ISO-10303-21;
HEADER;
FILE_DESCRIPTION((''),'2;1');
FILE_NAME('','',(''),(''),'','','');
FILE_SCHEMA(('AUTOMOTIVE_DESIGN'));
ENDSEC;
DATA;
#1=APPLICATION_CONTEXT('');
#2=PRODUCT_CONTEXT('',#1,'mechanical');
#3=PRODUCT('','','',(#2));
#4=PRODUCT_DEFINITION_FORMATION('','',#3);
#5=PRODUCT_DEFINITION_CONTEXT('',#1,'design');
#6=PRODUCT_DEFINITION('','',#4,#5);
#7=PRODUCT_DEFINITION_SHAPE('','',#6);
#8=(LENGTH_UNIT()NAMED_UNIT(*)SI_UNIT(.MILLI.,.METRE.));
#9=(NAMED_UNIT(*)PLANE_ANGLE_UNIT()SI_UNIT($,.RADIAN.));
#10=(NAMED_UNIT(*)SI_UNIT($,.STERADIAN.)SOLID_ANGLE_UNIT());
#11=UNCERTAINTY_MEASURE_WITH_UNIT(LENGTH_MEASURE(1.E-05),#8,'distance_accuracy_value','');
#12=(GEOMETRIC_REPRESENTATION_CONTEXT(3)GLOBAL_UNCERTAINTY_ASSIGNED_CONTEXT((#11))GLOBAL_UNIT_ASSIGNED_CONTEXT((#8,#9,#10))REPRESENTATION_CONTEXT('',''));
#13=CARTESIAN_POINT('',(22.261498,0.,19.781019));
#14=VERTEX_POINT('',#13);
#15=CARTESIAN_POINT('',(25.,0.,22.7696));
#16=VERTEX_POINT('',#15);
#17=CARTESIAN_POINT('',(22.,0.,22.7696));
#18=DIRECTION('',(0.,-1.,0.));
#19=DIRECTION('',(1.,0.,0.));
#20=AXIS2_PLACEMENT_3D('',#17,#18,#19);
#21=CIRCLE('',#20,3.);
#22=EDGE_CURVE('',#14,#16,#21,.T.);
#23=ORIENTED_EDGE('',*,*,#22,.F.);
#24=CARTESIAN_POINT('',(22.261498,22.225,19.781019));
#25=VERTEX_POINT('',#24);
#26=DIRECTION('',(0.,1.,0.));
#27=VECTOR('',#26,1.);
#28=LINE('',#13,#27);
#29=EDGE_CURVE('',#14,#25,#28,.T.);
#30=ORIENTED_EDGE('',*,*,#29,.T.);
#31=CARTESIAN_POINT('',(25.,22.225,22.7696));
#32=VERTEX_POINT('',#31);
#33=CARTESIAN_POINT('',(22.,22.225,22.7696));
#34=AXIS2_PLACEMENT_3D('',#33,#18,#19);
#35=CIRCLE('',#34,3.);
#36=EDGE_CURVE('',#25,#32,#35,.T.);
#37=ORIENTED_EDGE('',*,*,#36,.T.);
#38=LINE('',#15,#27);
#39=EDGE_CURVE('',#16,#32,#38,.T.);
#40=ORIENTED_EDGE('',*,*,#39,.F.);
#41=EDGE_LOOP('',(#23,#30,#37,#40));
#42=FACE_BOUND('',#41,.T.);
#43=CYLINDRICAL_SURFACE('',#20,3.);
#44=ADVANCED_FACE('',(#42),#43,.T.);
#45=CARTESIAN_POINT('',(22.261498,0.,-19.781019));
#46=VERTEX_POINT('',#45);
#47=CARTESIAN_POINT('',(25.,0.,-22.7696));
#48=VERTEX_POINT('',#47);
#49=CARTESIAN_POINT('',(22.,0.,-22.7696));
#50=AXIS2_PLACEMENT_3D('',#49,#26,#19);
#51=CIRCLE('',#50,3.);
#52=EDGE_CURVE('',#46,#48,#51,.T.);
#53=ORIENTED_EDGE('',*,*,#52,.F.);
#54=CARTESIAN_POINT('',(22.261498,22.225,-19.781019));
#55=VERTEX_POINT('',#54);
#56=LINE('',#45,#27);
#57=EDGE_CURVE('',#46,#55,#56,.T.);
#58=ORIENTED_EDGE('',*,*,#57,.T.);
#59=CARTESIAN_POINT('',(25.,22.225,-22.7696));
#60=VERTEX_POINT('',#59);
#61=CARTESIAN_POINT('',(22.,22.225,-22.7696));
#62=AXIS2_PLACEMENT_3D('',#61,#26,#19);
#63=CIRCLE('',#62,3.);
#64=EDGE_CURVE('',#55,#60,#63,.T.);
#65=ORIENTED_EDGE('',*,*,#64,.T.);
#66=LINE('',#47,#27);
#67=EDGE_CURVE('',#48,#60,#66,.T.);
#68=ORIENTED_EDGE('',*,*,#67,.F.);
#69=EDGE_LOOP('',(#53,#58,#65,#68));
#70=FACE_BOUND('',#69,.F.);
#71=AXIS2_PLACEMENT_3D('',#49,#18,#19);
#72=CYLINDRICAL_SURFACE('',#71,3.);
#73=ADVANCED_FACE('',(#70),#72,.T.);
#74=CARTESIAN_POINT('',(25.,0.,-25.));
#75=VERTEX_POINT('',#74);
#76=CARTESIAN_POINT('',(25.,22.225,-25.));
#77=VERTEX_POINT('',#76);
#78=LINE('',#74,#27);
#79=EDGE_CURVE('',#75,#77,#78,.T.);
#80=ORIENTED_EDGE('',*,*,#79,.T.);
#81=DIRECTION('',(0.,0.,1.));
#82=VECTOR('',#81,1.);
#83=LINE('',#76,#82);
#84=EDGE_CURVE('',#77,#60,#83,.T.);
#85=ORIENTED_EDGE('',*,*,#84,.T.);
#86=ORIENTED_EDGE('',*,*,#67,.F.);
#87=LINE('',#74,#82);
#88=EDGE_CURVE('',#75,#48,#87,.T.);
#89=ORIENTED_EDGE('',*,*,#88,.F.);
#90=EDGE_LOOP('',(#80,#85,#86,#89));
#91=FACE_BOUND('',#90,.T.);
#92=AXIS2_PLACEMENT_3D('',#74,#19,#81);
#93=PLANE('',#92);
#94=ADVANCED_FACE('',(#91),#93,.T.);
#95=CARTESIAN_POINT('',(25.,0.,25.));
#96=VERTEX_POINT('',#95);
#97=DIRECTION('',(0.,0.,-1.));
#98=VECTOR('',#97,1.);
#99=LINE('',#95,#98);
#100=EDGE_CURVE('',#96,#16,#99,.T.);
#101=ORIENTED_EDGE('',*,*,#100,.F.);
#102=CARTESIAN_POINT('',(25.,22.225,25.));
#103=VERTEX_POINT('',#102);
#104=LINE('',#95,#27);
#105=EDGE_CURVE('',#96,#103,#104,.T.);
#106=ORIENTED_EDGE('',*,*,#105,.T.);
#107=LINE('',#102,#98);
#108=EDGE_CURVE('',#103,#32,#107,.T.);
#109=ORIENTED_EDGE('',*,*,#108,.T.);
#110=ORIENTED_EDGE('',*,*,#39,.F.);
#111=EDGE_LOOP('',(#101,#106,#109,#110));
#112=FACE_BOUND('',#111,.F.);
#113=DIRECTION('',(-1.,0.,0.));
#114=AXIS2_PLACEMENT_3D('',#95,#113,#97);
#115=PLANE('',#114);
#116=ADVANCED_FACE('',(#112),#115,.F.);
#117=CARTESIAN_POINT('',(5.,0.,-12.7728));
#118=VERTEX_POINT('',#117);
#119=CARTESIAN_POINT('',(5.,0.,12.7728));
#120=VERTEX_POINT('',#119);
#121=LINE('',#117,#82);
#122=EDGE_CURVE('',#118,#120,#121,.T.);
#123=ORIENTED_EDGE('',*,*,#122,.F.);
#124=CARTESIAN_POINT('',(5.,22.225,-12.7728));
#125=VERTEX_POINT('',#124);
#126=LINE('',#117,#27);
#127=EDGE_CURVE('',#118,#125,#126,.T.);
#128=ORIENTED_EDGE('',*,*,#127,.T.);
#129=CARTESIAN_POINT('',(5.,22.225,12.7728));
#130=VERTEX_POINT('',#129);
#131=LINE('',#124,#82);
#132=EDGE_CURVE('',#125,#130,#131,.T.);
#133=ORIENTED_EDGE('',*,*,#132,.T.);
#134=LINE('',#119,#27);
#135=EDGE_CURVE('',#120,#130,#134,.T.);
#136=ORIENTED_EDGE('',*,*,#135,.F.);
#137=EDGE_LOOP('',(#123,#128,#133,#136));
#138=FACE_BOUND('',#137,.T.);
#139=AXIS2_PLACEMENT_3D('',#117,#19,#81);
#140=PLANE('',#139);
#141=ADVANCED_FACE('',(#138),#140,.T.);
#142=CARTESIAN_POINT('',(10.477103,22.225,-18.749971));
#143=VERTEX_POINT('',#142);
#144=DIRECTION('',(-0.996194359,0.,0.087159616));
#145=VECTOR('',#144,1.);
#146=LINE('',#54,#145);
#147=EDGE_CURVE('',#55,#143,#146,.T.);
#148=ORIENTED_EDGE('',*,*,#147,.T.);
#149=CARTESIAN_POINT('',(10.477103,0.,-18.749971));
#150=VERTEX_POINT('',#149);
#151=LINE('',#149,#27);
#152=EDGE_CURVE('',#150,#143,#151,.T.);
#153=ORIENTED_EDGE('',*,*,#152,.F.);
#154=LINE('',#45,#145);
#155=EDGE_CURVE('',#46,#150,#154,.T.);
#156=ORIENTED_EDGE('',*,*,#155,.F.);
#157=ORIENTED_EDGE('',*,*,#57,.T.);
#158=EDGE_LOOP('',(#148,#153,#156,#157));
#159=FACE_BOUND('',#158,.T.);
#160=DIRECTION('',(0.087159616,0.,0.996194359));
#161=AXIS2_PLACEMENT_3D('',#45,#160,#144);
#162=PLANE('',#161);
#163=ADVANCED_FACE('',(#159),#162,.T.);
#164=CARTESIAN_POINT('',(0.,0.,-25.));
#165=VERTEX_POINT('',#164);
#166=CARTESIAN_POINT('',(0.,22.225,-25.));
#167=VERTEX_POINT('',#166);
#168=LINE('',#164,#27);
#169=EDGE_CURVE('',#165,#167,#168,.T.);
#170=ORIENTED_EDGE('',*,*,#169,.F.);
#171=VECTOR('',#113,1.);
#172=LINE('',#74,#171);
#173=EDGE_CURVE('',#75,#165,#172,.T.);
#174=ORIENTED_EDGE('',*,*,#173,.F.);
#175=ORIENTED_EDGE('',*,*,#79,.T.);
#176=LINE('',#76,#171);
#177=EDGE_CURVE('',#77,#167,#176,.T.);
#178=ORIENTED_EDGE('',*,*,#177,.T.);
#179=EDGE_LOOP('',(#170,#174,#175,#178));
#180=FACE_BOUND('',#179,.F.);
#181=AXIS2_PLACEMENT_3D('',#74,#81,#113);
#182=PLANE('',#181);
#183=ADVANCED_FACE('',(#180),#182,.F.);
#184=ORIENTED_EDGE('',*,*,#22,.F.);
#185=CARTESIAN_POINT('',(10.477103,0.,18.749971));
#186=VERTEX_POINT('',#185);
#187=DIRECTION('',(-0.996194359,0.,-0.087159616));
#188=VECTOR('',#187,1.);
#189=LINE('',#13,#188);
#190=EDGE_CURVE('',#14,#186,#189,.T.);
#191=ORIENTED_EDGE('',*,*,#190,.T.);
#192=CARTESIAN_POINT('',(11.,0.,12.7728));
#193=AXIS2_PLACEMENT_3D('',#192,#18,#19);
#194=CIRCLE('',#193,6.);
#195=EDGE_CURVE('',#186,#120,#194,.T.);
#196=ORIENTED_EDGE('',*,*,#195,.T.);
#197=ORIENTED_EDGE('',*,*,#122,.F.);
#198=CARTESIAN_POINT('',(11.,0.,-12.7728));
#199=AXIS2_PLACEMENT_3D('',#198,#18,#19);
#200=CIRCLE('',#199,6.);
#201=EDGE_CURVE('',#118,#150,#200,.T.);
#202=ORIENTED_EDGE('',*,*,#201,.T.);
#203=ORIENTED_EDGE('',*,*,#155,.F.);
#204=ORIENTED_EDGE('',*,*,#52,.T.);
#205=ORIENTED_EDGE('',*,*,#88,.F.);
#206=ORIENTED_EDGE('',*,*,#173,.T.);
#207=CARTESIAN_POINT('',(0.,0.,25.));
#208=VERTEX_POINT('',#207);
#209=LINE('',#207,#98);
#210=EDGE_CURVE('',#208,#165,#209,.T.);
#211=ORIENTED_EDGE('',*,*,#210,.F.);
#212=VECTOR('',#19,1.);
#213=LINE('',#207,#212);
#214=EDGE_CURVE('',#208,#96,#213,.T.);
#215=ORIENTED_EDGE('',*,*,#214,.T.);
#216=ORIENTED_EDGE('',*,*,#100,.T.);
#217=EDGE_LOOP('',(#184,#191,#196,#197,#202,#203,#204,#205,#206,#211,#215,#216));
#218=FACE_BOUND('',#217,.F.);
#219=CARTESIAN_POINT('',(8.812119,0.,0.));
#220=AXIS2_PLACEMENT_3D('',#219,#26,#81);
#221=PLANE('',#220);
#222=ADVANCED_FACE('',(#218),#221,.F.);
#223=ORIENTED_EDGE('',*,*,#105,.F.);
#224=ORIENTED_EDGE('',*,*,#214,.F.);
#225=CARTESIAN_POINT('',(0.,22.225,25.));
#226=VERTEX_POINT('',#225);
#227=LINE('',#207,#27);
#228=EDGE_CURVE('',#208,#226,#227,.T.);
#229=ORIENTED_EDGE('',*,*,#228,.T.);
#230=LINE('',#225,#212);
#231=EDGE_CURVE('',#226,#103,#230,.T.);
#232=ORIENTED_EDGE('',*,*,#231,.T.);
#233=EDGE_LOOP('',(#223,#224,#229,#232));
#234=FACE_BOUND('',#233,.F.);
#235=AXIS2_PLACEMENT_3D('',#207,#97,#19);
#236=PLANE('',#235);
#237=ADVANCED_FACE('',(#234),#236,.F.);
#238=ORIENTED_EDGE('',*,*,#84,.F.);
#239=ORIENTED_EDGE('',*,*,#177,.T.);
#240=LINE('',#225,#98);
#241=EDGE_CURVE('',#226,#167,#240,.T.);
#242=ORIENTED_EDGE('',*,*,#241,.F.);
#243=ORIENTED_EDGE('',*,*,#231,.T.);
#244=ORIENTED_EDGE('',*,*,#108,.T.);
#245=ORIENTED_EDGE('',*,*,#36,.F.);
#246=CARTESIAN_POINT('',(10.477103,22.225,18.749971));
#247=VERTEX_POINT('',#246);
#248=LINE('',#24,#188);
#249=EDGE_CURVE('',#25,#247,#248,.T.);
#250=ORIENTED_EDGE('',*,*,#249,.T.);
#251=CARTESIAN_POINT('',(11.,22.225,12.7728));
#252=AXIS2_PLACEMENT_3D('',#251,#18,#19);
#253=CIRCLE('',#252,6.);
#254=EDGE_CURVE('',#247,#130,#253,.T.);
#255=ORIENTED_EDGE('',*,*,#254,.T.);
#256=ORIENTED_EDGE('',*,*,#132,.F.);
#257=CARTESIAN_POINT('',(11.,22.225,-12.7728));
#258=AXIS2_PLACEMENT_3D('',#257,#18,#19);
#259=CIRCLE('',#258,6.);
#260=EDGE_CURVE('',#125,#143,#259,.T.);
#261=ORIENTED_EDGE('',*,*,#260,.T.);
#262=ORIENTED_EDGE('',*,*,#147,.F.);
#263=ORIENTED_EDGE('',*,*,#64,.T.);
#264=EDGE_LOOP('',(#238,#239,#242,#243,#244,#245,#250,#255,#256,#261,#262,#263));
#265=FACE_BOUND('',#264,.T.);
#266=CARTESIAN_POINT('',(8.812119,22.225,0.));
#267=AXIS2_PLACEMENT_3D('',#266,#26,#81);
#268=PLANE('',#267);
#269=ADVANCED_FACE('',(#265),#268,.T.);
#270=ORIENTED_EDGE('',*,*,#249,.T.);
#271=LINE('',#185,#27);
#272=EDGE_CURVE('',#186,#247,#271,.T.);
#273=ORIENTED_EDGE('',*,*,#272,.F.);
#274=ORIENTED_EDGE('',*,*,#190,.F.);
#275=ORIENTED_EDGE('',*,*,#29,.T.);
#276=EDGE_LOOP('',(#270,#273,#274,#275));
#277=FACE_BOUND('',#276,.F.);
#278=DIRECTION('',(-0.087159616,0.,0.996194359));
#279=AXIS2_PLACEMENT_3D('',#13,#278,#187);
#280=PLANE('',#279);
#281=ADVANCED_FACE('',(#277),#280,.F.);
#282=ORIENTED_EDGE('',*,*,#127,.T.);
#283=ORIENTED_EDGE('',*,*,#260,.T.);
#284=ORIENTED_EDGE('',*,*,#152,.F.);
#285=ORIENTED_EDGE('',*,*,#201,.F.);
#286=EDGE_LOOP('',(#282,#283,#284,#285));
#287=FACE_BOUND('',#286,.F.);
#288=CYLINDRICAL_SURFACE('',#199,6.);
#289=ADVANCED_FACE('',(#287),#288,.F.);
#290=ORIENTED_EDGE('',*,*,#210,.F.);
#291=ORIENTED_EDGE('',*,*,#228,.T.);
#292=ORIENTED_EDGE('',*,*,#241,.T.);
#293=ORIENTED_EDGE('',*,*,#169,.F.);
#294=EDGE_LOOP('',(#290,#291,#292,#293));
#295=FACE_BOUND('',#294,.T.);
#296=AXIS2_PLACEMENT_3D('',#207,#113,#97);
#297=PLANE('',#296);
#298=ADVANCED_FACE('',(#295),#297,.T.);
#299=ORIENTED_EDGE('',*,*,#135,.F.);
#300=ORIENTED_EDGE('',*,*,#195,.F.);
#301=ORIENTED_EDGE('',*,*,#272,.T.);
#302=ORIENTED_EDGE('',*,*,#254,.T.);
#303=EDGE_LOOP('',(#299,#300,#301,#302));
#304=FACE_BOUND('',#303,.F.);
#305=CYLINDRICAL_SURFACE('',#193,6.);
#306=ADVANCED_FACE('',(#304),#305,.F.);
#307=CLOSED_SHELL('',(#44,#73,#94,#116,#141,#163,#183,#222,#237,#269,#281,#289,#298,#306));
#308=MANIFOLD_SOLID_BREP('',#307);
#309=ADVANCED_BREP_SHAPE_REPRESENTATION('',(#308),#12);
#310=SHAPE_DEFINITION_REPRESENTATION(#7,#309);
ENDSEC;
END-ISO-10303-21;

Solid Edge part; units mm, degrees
sketch "Sketch1" plane through (0, 0, 0) normal (0, -1, 0) x (1, 0, 0)
  line L0 (25, -25) -> (0, -25)
  line L1 (0, 25) -> (0, -25)
  line L2 (0, 25) -> (25, 25)
  line L3 (25, 25) -> (25, 22.7696)
  arc A0 (22.2615, 19.781) -> (25, 22.7696) centre (22, 22.7696) ccw
  line L4 (22.2615, 19.781) -> (10.4771, 18.75)
  arc A1 (10.4771, 18.75) -> (5, 12.7728) centre (11, 12.7728) ccw
  line L5 (5, -12.7728) -> (5, 12.7728)
  arc A2 (5, -12.7728) -> (10.4771, -18.75) centre (11, -12.7728) ccw
  line L6 (22.2615, -19.781) -> (10.4771, -18.75)
  arc A3 (22.2615, -19.781) -> (25, -22.7696) centre (22, -22.7696) cw
  line L7 (25, -25) -> (25, -22.7696)
  dimension "D1" = 2.2304
  dimension "D2" = 2.2304
  dimension "D3" = 25
  dimension "D4" = 50
  dimension "D5" = 5
extrude "Protrusion1" add sketch "Sketch1" against normal blind 22.225
